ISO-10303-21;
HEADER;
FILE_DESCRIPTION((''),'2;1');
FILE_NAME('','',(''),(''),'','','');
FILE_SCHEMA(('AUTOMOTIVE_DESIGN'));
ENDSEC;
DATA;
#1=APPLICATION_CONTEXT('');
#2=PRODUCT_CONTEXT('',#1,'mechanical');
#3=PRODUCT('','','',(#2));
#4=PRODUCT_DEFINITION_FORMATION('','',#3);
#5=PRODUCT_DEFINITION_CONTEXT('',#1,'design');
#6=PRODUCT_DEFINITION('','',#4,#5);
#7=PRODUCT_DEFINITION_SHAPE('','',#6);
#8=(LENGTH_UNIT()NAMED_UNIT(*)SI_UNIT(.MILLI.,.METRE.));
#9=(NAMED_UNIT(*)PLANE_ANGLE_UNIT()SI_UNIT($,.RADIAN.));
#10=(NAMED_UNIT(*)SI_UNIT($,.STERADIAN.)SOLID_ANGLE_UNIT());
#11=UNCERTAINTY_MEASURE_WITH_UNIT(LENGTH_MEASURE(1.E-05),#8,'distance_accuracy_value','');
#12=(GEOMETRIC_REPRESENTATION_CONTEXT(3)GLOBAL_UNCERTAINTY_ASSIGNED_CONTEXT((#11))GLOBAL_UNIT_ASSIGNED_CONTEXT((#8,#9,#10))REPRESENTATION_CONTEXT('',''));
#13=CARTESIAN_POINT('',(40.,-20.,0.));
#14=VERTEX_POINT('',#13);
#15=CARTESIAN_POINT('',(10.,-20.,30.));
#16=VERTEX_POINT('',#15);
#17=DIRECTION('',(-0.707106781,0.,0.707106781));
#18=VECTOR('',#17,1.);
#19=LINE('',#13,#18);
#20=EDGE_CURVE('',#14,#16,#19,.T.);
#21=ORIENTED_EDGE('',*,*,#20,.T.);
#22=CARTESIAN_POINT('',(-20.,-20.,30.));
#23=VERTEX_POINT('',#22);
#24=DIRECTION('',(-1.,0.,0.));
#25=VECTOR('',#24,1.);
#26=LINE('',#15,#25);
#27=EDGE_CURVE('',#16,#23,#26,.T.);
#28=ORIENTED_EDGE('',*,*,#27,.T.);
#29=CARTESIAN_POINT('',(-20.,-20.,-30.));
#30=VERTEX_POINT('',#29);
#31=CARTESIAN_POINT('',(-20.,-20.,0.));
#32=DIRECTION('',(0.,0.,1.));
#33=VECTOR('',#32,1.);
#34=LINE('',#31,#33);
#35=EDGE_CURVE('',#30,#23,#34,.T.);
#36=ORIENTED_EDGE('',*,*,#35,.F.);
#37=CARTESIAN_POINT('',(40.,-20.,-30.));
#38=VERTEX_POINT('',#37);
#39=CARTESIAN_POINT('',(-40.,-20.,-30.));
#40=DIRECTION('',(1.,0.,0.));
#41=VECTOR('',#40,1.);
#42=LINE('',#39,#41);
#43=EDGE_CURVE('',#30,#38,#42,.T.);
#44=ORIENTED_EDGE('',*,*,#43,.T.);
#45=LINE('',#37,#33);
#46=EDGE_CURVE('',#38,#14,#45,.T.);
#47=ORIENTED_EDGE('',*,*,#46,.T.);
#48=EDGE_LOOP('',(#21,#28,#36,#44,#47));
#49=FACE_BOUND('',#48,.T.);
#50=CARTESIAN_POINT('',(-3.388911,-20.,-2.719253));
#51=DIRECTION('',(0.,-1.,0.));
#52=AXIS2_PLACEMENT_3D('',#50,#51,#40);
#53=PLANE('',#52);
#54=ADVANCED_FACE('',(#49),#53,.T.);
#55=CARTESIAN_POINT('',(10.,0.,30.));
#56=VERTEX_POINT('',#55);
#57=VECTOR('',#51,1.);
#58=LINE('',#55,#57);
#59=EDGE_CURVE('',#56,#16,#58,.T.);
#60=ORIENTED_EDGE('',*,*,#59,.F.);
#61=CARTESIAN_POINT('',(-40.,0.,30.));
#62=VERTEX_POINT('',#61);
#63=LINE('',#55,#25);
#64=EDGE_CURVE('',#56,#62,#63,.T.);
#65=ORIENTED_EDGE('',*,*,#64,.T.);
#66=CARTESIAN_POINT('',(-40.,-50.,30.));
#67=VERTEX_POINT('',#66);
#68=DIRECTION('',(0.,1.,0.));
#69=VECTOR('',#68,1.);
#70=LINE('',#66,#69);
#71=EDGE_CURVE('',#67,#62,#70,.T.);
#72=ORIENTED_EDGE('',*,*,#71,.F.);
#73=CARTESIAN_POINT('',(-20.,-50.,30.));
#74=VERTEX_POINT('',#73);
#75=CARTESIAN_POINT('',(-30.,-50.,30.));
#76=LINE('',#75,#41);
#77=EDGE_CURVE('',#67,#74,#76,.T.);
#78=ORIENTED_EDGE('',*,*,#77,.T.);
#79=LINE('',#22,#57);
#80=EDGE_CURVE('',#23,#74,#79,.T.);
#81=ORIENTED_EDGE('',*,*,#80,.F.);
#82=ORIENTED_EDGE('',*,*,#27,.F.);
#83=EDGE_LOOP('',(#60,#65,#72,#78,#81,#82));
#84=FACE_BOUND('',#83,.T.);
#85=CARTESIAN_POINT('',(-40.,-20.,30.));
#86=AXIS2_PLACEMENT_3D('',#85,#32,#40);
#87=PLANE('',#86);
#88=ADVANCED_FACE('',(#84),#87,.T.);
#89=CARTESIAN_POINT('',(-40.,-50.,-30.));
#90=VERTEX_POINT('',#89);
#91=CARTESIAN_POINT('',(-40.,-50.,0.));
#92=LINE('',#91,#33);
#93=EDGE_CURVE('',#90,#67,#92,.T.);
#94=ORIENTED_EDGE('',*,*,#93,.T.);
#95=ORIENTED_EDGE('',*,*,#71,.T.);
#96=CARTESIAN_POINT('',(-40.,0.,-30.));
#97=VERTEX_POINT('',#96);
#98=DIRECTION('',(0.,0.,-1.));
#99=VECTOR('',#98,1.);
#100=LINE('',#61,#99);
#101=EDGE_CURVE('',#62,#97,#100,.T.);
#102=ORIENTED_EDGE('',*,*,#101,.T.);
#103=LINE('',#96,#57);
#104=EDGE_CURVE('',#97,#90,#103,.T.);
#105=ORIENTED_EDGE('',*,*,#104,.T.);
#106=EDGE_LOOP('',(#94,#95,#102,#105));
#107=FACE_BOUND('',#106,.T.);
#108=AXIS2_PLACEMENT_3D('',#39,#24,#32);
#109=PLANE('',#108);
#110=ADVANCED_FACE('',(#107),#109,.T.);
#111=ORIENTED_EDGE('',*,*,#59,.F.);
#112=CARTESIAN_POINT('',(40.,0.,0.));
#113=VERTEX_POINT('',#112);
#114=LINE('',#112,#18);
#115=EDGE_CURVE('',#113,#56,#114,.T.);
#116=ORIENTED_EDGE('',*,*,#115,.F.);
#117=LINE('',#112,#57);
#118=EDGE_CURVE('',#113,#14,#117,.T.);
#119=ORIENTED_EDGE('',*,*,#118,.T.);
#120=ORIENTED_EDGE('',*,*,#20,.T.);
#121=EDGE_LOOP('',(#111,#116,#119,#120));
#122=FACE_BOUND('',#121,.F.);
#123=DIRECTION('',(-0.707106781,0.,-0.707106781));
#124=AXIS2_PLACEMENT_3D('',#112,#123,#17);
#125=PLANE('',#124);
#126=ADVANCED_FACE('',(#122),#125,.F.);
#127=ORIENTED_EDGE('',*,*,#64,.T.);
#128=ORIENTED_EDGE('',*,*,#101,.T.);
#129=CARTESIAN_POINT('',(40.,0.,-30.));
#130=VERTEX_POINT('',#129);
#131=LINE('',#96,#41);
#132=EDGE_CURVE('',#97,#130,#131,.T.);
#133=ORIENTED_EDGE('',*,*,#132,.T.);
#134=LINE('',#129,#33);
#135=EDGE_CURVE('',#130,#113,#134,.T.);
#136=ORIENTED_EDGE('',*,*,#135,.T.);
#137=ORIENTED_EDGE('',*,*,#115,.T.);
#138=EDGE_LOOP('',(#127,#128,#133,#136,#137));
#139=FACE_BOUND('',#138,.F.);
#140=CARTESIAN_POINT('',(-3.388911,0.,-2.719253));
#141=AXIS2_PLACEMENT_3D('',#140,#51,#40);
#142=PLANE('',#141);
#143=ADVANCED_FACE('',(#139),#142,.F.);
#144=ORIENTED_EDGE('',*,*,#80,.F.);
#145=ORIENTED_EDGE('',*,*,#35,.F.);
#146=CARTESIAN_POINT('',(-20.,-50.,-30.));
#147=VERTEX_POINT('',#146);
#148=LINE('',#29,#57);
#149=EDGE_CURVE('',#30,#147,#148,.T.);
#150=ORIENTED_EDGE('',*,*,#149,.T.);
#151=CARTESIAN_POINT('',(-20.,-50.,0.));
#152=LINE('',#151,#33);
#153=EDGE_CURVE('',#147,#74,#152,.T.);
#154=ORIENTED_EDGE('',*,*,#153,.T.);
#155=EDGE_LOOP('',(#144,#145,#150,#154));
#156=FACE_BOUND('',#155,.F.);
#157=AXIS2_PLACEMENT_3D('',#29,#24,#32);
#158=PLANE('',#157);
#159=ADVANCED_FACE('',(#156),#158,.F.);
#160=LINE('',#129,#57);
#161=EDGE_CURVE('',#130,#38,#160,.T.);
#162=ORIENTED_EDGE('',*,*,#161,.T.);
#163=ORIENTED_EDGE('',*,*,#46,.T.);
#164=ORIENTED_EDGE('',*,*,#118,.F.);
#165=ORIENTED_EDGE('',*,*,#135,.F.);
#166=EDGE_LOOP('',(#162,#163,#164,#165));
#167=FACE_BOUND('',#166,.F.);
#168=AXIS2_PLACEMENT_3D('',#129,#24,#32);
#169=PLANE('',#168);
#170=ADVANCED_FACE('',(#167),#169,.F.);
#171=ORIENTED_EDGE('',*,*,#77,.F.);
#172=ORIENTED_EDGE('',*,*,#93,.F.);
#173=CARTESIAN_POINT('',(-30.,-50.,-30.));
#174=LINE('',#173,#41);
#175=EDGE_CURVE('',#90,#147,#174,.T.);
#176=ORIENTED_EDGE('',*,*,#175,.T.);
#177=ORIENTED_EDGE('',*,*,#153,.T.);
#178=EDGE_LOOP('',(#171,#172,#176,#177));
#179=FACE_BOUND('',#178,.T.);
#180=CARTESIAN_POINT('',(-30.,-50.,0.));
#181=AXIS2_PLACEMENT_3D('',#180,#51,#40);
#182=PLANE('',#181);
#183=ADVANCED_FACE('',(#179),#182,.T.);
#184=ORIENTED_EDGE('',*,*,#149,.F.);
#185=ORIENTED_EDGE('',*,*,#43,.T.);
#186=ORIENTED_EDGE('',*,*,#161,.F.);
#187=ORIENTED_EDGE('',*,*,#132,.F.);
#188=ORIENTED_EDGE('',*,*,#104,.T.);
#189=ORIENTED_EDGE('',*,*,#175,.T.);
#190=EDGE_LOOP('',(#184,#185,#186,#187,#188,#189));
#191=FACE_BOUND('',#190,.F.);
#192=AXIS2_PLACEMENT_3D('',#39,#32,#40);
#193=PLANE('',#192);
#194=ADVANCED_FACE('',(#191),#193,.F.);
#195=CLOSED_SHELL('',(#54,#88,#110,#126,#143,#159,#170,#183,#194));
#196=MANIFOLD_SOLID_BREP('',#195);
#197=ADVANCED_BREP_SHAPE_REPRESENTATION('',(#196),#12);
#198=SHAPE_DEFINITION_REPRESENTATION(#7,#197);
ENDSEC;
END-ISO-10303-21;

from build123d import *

# Parameters (mm, degrees)
F1_DEPTH = 20
F2_W     = 20
F2_H     = 60
F3_DEPTH = 30


with BuildPart() as f1:
    # F0 (on Front) → F1 (new body)
    with BuildSketch(Plane.XZ):
        Polygon((-40, 30), (-40, -30), (40, -30), (40, 0), (10, 30), align=None)
    extrude(amount=F1_DEPTH)

    # F2 (on face) → F3 (join)
    with BuildSketch(Plane.XZ.offset(20)):
        with Locations((-30, 0)):
            Rectangle(F2_W, F2_H)
    extrude(amount=F3_DEPTH)


solid = f1.part
